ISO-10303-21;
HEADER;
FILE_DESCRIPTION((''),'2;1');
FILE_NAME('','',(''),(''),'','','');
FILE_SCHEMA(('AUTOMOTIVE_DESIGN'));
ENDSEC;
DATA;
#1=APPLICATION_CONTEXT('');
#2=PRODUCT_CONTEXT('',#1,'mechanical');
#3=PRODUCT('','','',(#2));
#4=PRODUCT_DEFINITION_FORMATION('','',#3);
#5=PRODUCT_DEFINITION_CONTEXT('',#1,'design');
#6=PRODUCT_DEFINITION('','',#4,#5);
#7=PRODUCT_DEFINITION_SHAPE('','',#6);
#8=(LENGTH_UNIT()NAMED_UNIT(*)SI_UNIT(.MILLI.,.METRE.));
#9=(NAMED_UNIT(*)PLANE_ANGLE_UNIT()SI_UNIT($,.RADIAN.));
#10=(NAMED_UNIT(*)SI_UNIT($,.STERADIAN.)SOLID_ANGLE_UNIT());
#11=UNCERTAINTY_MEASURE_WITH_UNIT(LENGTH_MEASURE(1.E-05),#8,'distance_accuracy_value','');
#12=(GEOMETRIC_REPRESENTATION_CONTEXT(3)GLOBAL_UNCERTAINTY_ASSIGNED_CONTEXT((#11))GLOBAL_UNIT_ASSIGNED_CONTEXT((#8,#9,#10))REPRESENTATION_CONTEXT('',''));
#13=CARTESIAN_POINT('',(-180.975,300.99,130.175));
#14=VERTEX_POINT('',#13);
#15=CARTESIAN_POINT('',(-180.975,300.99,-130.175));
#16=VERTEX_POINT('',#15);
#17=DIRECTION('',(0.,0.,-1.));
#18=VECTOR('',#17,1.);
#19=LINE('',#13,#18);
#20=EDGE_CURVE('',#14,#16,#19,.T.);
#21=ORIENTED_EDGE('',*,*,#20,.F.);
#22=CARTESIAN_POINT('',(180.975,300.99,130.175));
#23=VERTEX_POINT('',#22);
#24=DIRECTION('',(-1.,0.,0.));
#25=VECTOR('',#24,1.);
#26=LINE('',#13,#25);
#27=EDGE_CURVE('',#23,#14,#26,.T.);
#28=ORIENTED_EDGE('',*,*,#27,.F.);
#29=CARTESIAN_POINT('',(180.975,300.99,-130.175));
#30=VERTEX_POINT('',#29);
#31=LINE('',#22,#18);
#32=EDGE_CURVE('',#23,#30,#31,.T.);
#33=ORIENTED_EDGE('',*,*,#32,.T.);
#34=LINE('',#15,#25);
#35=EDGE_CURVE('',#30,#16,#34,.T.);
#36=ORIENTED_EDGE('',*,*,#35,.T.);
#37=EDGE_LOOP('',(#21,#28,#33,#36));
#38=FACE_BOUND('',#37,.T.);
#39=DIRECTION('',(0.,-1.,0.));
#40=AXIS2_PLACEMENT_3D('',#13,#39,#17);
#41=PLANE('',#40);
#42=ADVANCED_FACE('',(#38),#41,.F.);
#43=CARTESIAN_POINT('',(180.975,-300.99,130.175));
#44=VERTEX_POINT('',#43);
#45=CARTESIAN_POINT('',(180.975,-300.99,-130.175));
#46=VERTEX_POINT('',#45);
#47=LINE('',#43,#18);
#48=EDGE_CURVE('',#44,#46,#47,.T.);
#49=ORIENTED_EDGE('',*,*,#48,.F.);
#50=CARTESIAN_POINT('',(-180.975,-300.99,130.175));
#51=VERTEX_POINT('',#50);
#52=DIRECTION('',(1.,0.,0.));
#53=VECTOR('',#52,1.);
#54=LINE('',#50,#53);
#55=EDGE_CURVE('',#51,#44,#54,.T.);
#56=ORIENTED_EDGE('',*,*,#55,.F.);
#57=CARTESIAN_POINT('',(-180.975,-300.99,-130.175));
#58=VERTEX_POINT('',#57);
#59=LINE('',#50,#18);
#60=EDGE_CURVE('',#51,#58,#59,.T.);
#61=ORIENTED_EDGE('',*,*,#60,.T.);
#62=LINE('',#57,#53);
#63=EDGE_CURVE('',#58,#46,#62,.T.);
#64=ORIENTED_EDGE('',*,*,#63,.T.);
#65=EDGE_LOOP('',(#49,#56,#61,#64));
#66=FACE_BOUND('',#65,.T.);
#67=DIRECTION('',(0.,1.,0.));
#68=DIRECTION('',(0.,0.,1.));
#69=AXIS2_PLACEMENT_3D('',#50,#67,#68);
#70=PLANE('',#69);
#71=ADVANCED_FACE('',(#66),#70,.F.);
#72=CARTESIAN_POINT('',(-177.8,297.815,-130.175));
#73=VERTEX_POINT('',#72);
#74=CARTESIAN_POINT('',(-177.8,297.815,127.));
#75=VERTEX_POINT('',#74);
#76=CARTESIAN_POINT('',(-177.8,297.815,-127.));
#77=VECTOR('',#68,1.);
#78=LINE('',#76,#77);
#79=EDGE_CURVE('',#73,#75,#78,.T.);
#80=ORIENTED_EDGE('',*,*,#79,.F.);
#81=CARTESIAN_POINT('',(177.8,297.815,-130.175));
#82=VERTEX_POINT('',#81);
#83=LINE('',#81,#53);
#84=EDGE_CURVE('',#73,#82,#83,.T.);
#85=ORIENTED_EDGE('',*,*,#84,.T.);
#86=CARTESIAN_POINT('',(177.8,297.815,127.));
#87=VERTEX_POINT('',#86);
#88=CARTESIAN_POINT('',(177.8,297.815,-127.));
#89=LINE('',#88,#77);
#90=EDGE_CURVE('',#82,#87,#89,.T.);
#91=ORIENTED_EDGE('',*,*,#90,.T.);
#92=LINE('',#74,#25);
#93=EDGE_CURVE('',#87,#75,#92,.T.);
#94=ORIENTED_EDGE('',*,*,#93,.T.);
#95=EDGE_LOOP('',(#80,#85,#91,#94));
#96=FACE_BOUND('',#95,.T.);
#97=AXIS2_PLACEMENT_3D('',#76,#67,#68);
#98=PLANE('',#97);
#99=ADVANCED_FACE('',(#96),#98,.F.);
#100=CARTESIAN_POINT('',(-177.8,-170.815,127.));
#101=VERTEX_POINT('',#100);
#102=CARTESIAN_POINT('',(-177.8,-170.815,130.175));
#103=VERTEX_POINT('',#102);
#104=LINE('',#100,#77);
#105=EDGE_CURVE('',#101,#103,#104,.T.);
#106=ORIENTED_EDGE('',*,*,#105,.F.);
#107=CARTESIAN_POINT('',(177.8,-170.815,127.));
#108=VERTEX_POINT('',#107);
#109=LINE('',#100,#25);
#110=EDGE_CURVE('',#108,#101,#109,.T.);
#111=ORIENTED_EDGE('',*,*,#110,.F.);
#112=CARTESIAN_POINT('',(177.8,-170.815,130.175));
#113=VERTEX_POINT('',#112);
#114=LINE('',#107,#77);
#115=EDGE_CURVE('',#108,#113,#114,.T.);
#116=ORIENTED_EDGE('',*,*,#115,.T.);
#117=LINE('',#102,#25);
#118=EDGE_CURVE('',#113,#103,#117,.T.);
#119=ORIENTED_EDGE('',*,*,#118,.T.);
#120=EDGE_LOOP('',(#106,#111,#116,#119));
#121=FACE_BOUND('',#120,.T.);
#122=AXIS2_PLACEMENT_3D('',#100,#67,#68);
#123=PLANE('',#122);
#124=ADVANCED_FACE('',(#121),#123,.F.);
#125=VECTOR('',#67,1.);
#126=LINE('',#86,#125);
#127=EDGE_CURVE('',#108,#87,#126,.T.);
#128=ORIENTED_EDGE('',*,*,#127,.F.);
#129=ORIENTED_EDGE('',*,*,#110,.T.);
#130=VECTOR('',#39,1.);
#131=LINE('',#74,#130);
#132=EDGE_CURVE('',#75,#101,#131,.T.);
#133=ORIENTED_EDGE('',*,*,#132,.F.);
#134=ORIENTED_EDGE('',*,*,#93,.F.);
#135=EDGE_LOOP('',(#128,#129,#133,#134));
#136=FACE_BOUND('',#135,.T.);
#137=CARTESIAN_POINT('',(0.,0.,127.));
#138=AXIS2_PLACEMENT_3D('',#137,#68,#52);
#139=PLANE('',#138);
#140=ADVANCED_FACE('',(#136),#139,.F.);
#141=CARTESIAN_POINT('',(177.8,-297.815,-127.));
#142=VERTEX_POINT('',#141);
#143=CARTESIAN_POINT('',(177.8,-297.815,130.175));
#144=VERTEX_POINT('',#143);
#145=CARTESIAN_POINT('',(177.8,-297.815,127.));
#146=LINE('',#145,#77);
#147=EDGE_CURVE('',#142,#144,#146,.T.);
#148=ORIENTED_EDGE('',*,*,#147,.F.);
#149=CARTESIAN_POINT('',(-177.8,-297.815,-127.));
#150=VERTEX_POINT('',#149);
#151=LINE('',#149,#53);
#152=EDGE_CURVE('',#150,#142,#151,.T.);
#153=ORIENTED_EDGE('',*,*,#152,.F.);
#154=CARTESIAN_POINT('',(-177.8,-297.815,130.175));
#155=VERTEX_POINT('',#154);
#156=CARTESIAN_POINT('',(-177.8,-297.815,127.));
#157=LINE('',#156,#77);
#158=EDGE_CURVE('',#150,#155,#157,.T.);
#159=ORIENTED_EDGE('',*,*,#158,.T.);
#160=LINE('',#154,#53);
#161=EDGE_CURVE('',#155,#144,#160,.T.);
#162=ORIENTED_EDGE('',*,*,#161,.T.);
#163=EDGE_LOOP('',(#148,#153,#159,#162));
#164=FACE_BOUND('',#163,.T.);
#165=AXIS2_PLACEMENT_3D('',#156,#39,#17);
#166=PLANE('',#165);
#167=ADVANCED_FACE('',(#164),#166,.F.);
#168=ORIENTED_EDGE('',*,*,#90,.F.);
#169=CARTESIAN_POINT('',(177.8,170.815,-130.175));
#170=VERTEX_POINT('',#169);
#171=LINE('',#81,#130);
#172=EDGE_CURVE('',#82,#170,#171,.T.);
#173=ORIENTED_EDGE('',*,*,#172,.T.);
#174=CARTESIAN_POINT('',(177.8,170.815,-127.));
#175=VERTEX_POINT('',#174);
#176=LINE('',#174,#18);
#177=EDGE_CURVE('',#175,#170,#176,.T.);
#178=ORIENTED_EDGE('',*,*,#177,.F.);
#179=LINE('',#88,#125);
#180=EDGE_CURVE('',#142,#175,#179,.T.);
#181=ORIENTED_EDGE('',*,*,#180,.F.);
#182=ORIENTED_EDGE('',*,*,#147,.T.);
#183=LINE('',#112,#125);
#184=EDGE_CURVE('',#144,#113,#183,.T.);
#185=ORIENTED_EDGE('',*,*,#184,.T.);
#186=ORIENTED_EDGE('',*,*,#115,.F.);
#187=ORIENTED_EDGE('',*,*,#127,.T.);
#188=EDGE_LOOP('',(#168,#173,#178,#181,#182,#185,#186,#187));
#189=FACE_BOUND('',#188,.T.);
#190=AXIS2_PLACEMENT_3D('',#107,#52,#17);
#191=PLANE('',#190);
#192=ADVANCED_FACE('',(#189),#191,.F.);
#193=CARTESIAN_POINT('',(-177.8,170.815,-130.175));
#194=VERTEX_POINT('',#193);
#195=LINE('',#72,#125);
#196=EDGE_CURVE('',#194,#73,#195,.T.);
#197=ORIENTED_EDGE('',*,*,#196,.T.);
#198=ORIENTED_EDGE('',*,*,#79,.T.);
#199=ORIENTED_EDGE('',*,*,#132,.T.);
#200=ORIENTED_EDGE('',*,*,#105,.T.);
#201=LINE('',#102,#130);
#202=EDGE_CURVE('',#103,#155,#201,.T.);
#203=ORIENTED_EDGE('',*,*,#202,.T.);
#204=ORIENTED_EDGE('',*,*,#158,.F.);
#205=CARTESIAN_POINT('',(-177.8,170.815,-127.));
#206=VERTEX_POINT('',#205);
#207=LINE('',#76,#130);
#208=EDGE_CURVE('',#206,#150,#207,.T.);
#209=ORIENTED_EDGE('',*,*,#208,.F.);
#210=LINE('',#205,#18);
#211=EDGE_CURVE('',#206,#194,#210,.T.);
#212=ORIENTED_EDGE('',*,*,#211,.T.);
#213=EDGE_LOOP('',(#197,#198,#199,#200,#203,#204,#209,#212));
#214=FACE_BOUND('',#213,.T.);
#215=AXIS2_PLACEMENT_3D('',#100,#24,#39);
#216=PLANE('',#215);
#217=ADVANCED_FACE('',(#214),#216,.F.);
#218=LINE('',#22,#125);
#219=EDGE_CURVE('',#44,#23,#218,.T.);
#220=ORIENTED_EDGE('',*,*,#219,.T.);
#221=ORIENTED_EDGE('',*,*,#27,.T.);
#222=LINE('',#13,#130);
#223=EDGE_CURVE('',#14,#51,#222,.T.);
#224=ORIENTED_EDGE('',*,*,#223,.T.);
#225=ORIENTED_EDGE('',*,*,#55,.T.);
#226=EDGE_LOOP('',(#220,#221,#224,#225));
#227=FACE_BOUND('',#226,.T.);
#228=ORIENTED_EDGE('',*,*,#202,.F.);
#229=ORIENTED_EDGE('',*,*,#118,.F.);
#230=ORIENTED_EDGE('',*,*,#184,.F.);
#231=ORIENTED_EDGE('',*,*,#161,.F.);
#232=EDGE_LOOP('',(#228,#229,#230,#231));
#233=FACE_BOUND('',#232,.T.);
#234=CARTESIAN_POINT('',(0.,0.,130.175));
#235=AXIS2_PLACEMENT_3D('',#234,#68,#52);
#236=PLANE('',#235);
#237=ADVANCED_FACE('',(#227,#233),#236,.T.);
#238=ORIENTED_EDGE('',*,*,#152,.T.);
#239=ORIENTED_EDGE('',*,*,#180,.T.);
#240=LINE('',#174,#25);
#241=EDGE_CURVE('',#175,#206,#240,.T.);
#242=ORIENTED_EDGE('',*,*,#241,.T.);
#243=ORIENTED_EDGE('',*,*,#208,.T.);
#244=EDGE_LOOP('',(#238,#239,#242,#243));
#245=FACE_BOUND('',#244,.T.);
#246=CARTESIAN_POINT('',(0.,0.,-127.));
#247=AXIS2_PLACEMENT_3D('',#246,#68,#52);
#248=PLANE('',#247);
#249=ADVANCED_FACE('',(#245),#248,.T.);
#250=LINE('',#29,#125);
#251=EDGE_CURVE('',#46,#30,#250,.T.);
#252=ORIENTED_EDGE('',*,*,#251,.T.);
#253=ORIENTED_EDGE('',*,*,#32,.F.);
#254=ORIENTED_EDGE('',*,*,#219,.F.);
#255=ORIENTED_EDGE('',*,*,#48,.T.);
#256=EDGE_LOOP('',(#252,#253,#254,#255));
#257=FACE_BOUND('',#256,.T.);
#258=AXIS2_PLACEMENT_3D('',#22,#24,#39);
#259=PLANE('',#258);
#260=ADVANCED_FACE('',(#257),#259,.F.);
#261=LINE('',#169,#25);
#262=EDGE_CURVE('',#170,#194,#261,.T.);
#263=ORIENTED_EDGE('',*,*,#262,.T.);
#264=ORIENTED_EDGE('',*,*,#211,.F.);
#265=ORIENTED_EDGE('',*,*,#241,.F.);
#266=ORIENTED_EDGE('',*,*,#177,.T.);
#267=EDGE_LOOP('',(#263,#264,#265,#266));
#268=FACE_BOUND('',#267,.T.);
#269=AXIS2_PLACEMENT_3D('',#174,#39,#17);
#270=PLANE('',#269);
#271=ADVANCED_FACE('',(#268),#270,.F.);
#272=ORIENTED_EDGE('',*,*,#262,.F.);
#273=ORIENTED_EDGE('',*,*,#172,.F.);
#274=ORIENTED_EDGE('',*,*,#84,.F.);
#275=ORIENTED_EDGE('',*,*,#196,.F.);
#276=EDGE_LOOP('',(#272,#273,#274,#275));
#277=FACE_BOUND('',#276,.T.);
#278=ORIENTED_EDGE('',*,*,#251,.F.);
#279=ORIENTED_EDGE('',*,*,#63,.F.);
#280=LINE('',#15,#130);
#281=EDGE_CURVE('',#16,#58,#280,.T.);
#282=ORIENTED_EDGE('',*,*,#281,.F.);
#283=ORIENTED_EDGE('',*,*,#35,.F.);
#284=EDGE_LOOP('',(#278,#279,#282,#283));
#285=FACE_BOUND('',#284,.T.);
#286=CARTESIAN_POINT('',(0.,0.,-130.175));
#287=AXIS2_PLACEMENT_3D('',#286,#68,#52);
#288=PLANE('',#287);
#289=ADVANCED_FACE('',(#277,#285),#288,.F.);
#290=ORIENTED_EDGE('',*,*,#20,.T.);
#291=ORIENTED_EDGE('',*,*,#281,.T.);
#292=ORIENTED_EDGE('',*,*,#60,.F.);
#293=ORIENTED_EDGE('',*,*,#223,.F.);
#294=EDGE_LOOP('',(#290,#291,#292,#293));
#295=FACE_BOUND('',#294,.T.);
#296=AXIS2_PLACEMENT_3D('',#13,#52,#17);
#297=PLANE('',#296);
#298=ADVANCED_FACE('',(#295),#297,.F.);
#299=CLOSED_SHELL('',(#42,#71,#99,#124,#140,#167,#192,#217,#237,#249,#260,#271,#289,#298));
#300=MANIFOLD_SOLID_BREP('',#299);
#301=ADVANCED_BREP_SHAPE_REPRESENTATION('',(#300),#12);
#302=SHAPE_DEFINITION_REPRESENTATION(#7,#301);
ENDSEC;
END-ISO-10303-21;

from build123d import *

# Parameters (mm, degrees)
ESQUISSE1_W             = 361.95
ESQUISSE1_H             = 601.98
BOSS_EXTRU_1_DEPTH      = 130.175
ESQUISSE3_W             = 355.6
ESQUISSE3_H             = 127
ENL_V_MAT_EXTRU_2_DEPTH = 3.175
ESQUISSE4_W             = 355.6
ESQUISSE4_H             = 595.63
ENL_V_MAT_EXTRU_3_DEPTH = 127
ESQUISSE5_W             = 355.6
ESQUISSE5_H             = 127
ENL_V_MAT_EXTRU_4_DEPTH = 3.175


with BuildPart() as part:
    # Esquisse1 → Boss.-Extru.1 (new, symmetric)
    with BuildSketch(Plane.XY):
        Rectangle(ESQUISSE1_W, ESQUISSE1_H)
    extrude(amount=BOSS_EXTRU_1_DEPTH, both=True)

    # Esquisse3 → Enlèv. mat.-Extru.2 (cut)
    with BuildSketch(Plane.XY.offset(130.175)):
        with Locations((0, -234.315)):
            Rectangle(ESQUISSE3_W, ESQUISSE3_H)
    extrude(amount=-ENL_V_MAT_EXTRU_2_DEPTH, mode=Mode.SUBTRACT)

    # Esquisse4 → Enlèv. mat.-Extru.3 (cut, symmetric)
    with BuildSketch(Plane.XY):
        Rectangle(ESQUISSE4_W, ESQUISSE4_H)
    extrude(amount=ENL_V_MAT_EXTRU_3_DEPTH, both=True, mode=Mode.SUBTRACT)

    # Esquisse5 → Enlèv. mat.-Extru.4 (cut)
    with BuildSketch(Plane(origin=(0, 0, -130.175), x_dir=(-1, 0, 0), z_dir=(0, 0, -1))):
        with Locations((0, 234.315)):
            Rectangle(ESQUISSE5_W, ESQUISSE5_H)
    extrude(amount=-ENL_V_MAT_EXTRU_4_DEPTH, mode=Mode.SUBTRACT)


solid = part.part
